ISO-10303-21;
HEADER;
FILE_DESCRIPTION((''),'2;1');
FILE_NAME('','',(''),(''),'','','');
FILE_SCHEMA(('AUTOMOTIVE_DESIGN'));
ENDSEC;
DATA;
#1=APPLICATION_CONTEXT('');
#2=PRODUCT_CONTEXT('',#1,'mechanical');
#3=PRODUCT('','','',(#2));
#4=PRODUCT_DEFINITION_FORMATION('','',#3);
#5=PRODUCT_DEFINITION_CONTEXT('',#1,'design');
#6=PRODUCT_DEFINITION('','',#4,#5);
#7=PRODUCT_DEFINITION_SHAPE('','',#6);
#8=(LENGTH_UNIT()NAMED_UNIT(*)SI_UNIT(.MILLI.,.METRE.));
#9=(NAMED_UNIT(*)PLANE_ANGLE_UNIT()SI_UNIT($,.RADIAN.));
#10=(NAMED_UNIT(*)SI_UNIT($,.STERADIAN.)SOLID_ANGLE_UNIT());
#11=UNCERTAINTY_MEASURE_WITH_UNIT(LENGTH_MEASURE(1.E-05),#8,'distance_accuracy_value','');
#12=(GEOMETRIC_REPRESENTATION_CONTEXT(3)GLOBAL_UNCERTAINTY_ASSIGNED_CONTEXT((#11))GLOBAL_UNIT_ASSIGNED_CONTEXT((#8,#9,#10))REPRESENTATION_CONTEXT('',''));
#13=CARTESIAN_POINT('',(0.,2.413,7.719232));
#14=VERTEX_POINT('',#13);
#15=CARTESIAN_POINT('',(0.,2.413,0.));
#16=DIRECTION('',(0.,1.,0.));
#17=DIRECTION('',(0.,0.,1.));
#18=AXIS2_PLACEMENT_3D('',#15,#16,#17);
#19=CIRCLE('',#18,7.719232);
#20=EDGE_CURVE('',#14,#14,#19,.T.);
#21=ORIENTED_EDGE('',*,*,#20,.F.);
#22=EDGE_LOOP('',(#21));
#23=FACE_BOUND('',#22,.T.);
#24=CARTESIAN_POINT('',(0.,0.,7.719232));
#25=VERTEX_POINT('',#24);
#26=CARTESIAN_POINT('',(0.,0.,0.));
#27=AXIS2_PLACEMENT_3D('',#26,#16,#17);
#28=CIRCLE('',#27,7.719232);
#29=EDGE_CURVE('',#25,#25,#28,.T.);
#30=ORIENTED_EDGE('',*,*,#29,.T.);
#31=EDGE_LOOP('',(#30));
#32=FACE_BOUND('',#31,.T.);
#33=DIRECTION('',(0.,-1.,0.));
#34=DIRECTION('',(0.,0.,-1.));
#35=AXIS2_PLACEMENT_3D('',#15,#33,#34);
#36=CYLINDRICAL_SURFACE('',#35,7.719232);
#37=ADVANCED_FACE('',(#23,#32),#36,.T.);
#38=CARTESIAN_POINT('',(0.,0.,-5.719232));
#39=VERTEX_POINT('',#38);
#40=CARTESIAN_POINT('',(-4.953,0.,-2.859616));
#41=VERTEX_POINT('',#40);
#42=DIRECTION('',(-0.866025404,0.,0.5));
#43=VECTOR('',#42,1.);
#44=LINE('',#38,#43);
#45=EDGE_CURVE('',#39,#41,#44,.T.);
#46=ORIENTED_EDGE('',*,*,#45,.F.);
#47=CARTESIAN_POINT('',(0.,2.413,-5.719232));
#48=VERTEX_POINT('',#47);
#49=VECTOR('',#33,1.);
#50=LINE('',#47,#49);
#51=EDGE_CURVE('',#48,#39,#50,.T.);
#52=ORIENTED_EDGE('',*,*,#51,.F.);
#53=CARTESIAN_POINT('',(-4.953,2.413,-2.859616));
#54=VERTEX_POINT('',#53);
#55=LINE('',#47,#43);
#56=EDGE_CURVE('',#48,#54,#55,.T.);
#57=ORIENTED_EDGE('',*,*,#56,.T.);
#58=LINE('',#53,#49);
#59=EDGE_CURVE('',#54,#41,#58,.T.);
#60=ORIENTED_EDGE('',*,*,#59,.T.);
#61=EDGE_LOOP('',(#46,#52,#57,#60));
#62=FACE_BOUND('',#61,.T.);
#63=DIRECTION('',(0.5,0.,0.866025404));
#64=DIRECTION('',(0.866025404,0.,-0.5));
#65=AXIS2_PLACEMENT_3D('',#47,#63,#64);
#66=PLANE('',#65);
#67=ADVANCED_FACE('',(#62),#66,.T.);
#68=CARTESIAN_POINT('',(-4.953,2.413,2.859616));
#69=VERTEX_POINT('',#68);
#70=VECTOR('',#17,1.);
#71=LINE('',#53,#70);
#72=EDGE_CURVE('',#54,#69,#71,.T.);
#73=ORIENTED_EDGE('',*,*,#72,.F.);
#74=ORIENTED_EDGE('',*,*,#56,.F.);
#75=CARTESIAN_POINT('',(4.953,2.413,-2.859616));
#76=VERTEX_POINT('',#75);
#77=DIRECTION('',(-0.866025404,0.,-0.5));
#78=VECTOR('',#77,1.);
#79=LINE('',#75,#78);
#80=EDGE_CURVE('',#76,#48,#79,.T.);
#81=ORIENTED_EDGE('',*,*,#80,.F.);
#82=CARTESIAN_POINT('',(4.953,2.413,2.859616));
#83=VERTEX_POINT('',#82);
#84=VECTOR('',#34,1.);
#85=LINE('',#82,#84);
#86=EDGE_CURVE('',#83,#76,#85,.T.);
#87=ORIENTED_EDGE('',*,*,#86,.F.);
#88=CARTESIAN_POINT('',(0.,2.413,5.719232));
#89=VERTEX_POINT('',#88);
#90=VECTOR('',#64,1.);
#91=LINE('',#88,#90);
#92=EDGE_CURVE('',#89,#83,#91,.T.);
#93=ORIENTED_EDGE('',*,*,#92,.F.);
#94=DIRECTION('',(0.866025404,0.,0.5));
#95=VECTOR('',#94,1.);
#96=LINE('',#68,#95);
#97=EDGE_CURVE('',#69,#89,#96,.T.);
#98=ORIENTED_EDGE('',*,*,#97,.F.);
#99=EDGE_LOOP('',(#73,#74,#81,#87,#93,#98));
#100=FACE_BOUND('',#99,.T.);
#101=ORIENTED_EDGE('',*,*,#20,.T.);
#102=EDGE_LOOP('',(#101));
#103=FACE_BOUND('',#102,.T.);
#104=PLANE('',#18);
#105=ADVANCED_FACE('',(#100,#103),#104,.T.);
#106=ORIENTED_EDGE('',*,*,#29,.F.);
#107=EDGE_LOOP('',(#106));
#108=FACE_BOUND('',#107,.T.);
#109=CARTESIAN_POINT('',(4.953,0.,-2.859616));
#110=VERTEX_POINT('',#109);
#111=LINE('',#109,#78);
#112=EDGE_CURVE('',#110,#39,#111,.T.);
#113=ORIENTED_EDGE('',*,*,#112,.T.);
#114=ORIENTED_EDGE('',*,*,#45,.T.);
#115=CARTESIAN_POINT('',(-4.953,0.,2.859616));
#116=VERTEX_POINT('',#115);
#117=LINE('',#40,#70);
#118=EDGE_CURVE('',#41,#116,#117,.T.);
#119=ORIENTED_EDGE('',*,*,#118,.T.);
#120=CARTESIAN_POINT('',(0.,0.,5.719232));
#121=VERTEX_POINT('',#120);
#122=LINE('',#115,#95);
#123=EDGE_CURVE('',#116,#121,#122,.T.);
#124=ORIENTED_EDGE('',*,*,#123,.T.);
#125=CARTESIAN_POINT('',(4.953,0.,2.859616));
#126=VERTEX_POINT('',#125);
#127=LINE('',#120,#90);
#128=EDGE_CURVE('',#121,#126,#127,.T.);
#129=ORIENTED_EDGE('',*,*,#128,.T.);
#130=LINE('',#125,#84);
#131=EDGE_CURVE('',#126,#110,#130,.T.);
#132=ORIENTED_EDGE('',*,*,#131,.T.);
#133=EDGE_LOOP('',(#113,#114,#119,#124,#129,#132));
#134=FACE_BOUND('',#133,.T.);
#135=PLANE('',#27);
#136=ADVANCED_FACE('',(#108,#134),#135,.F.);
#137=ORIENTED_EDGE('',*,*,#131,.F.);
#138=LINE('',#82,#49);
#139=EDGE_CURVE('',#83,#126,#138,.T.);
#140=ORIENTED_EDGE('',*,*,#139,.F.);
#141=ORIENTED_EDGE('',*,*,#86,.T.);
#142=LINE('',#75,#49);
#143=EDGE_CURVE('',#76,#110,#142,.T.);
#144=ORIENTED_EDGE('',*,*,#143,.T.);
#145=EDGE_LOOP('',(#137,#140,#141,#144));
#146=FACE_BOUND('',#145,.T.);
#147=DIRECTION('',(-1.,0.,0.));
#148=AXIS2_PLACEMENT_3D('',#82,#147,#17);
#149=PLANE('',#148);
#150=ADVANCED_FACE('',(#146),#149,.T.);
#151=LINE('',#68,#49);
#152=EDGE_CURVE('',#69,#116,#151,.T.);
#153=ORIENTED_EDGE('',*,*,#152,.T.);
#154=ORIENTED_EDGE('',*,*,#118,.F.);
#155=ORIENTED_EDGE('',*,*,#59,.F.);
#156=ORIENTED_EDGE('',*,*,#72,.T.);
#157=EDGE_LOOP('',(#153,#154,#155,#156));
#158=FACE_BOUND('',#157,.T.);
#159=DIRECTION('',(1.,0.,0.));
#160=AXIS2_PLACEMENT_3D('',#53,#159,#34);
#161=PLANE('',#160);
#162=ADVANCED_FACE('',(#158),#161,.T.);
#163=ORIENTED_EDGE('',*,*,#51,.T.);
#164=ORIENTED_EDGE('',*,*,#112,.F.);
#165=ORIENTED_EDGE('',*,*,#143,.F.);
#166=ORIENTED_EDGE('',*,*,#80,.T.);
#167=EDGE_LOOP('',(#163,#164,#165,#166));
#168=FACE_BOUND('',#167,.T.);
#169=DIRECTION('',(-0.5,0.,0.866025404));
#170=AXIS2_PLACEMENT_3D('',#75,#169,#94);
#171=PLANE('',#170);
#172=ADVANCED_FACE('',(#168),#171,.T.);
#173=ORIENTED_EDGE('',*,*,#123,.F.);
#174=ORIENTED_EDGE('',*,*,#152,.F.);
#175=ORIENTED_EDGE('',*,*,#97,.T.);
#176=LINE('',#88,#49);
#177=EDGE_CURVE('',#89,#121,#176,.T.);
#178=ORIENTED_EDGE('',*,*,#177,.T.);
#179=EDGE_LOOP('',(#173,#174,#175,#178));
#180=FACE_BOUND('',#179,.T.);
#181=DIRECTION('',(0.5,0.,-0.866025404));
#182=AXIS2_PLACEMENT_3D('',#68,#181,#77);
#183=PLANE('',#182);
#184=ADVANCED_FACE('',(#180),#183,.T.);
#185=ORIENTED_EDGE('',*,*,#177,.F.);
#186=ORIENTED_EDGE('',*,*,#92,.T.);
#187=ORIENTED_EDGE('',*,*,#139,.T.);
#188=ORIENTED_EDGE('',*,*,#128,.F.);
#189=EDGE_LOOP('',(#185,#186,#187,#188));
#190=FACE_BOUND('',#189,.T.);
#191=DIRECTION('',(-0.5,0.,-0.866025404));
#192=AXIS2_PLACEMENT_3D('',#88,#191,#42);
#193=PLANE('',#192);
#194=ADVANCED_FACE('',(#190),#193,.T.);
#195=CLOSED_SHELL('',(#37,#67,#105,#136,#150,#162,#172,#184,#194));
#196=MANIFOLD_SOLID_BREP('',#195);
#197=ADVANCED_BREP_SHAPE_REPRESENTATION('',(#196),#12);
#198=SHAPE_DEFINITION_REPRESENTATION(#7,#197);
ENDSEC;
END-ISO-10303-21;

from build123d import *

# Parameters (mm, degrees)
SKETCH2_R           = 7.719231767
BOSS_EXTRUDE1_DEPTH = 2.413


with BuildPart() as part:
    # Sketch2 → Boss-Extrude1 (new body)
    with BuildSketch(Plane(origin=(0, 0, 0), x_dir=(1, 0, 0), z_dir=(0, 1, 0))):
        with Locations(Location((0, 0, 0), (0, 0, 270))):
            Circle(SKETCH2_R)
        Polygon((0, 5.719231767), (-4.953, 2.859615883), (-4.953, -2.859615883), (0, -5.719231767), (4.953, -2.859615883), (4.953, 2.859615883), align=None, mode=Mode.SUBTRACT)
    extrude(amount=BOSS_EXTRUDE1_DEPTH)


solid = part.part
